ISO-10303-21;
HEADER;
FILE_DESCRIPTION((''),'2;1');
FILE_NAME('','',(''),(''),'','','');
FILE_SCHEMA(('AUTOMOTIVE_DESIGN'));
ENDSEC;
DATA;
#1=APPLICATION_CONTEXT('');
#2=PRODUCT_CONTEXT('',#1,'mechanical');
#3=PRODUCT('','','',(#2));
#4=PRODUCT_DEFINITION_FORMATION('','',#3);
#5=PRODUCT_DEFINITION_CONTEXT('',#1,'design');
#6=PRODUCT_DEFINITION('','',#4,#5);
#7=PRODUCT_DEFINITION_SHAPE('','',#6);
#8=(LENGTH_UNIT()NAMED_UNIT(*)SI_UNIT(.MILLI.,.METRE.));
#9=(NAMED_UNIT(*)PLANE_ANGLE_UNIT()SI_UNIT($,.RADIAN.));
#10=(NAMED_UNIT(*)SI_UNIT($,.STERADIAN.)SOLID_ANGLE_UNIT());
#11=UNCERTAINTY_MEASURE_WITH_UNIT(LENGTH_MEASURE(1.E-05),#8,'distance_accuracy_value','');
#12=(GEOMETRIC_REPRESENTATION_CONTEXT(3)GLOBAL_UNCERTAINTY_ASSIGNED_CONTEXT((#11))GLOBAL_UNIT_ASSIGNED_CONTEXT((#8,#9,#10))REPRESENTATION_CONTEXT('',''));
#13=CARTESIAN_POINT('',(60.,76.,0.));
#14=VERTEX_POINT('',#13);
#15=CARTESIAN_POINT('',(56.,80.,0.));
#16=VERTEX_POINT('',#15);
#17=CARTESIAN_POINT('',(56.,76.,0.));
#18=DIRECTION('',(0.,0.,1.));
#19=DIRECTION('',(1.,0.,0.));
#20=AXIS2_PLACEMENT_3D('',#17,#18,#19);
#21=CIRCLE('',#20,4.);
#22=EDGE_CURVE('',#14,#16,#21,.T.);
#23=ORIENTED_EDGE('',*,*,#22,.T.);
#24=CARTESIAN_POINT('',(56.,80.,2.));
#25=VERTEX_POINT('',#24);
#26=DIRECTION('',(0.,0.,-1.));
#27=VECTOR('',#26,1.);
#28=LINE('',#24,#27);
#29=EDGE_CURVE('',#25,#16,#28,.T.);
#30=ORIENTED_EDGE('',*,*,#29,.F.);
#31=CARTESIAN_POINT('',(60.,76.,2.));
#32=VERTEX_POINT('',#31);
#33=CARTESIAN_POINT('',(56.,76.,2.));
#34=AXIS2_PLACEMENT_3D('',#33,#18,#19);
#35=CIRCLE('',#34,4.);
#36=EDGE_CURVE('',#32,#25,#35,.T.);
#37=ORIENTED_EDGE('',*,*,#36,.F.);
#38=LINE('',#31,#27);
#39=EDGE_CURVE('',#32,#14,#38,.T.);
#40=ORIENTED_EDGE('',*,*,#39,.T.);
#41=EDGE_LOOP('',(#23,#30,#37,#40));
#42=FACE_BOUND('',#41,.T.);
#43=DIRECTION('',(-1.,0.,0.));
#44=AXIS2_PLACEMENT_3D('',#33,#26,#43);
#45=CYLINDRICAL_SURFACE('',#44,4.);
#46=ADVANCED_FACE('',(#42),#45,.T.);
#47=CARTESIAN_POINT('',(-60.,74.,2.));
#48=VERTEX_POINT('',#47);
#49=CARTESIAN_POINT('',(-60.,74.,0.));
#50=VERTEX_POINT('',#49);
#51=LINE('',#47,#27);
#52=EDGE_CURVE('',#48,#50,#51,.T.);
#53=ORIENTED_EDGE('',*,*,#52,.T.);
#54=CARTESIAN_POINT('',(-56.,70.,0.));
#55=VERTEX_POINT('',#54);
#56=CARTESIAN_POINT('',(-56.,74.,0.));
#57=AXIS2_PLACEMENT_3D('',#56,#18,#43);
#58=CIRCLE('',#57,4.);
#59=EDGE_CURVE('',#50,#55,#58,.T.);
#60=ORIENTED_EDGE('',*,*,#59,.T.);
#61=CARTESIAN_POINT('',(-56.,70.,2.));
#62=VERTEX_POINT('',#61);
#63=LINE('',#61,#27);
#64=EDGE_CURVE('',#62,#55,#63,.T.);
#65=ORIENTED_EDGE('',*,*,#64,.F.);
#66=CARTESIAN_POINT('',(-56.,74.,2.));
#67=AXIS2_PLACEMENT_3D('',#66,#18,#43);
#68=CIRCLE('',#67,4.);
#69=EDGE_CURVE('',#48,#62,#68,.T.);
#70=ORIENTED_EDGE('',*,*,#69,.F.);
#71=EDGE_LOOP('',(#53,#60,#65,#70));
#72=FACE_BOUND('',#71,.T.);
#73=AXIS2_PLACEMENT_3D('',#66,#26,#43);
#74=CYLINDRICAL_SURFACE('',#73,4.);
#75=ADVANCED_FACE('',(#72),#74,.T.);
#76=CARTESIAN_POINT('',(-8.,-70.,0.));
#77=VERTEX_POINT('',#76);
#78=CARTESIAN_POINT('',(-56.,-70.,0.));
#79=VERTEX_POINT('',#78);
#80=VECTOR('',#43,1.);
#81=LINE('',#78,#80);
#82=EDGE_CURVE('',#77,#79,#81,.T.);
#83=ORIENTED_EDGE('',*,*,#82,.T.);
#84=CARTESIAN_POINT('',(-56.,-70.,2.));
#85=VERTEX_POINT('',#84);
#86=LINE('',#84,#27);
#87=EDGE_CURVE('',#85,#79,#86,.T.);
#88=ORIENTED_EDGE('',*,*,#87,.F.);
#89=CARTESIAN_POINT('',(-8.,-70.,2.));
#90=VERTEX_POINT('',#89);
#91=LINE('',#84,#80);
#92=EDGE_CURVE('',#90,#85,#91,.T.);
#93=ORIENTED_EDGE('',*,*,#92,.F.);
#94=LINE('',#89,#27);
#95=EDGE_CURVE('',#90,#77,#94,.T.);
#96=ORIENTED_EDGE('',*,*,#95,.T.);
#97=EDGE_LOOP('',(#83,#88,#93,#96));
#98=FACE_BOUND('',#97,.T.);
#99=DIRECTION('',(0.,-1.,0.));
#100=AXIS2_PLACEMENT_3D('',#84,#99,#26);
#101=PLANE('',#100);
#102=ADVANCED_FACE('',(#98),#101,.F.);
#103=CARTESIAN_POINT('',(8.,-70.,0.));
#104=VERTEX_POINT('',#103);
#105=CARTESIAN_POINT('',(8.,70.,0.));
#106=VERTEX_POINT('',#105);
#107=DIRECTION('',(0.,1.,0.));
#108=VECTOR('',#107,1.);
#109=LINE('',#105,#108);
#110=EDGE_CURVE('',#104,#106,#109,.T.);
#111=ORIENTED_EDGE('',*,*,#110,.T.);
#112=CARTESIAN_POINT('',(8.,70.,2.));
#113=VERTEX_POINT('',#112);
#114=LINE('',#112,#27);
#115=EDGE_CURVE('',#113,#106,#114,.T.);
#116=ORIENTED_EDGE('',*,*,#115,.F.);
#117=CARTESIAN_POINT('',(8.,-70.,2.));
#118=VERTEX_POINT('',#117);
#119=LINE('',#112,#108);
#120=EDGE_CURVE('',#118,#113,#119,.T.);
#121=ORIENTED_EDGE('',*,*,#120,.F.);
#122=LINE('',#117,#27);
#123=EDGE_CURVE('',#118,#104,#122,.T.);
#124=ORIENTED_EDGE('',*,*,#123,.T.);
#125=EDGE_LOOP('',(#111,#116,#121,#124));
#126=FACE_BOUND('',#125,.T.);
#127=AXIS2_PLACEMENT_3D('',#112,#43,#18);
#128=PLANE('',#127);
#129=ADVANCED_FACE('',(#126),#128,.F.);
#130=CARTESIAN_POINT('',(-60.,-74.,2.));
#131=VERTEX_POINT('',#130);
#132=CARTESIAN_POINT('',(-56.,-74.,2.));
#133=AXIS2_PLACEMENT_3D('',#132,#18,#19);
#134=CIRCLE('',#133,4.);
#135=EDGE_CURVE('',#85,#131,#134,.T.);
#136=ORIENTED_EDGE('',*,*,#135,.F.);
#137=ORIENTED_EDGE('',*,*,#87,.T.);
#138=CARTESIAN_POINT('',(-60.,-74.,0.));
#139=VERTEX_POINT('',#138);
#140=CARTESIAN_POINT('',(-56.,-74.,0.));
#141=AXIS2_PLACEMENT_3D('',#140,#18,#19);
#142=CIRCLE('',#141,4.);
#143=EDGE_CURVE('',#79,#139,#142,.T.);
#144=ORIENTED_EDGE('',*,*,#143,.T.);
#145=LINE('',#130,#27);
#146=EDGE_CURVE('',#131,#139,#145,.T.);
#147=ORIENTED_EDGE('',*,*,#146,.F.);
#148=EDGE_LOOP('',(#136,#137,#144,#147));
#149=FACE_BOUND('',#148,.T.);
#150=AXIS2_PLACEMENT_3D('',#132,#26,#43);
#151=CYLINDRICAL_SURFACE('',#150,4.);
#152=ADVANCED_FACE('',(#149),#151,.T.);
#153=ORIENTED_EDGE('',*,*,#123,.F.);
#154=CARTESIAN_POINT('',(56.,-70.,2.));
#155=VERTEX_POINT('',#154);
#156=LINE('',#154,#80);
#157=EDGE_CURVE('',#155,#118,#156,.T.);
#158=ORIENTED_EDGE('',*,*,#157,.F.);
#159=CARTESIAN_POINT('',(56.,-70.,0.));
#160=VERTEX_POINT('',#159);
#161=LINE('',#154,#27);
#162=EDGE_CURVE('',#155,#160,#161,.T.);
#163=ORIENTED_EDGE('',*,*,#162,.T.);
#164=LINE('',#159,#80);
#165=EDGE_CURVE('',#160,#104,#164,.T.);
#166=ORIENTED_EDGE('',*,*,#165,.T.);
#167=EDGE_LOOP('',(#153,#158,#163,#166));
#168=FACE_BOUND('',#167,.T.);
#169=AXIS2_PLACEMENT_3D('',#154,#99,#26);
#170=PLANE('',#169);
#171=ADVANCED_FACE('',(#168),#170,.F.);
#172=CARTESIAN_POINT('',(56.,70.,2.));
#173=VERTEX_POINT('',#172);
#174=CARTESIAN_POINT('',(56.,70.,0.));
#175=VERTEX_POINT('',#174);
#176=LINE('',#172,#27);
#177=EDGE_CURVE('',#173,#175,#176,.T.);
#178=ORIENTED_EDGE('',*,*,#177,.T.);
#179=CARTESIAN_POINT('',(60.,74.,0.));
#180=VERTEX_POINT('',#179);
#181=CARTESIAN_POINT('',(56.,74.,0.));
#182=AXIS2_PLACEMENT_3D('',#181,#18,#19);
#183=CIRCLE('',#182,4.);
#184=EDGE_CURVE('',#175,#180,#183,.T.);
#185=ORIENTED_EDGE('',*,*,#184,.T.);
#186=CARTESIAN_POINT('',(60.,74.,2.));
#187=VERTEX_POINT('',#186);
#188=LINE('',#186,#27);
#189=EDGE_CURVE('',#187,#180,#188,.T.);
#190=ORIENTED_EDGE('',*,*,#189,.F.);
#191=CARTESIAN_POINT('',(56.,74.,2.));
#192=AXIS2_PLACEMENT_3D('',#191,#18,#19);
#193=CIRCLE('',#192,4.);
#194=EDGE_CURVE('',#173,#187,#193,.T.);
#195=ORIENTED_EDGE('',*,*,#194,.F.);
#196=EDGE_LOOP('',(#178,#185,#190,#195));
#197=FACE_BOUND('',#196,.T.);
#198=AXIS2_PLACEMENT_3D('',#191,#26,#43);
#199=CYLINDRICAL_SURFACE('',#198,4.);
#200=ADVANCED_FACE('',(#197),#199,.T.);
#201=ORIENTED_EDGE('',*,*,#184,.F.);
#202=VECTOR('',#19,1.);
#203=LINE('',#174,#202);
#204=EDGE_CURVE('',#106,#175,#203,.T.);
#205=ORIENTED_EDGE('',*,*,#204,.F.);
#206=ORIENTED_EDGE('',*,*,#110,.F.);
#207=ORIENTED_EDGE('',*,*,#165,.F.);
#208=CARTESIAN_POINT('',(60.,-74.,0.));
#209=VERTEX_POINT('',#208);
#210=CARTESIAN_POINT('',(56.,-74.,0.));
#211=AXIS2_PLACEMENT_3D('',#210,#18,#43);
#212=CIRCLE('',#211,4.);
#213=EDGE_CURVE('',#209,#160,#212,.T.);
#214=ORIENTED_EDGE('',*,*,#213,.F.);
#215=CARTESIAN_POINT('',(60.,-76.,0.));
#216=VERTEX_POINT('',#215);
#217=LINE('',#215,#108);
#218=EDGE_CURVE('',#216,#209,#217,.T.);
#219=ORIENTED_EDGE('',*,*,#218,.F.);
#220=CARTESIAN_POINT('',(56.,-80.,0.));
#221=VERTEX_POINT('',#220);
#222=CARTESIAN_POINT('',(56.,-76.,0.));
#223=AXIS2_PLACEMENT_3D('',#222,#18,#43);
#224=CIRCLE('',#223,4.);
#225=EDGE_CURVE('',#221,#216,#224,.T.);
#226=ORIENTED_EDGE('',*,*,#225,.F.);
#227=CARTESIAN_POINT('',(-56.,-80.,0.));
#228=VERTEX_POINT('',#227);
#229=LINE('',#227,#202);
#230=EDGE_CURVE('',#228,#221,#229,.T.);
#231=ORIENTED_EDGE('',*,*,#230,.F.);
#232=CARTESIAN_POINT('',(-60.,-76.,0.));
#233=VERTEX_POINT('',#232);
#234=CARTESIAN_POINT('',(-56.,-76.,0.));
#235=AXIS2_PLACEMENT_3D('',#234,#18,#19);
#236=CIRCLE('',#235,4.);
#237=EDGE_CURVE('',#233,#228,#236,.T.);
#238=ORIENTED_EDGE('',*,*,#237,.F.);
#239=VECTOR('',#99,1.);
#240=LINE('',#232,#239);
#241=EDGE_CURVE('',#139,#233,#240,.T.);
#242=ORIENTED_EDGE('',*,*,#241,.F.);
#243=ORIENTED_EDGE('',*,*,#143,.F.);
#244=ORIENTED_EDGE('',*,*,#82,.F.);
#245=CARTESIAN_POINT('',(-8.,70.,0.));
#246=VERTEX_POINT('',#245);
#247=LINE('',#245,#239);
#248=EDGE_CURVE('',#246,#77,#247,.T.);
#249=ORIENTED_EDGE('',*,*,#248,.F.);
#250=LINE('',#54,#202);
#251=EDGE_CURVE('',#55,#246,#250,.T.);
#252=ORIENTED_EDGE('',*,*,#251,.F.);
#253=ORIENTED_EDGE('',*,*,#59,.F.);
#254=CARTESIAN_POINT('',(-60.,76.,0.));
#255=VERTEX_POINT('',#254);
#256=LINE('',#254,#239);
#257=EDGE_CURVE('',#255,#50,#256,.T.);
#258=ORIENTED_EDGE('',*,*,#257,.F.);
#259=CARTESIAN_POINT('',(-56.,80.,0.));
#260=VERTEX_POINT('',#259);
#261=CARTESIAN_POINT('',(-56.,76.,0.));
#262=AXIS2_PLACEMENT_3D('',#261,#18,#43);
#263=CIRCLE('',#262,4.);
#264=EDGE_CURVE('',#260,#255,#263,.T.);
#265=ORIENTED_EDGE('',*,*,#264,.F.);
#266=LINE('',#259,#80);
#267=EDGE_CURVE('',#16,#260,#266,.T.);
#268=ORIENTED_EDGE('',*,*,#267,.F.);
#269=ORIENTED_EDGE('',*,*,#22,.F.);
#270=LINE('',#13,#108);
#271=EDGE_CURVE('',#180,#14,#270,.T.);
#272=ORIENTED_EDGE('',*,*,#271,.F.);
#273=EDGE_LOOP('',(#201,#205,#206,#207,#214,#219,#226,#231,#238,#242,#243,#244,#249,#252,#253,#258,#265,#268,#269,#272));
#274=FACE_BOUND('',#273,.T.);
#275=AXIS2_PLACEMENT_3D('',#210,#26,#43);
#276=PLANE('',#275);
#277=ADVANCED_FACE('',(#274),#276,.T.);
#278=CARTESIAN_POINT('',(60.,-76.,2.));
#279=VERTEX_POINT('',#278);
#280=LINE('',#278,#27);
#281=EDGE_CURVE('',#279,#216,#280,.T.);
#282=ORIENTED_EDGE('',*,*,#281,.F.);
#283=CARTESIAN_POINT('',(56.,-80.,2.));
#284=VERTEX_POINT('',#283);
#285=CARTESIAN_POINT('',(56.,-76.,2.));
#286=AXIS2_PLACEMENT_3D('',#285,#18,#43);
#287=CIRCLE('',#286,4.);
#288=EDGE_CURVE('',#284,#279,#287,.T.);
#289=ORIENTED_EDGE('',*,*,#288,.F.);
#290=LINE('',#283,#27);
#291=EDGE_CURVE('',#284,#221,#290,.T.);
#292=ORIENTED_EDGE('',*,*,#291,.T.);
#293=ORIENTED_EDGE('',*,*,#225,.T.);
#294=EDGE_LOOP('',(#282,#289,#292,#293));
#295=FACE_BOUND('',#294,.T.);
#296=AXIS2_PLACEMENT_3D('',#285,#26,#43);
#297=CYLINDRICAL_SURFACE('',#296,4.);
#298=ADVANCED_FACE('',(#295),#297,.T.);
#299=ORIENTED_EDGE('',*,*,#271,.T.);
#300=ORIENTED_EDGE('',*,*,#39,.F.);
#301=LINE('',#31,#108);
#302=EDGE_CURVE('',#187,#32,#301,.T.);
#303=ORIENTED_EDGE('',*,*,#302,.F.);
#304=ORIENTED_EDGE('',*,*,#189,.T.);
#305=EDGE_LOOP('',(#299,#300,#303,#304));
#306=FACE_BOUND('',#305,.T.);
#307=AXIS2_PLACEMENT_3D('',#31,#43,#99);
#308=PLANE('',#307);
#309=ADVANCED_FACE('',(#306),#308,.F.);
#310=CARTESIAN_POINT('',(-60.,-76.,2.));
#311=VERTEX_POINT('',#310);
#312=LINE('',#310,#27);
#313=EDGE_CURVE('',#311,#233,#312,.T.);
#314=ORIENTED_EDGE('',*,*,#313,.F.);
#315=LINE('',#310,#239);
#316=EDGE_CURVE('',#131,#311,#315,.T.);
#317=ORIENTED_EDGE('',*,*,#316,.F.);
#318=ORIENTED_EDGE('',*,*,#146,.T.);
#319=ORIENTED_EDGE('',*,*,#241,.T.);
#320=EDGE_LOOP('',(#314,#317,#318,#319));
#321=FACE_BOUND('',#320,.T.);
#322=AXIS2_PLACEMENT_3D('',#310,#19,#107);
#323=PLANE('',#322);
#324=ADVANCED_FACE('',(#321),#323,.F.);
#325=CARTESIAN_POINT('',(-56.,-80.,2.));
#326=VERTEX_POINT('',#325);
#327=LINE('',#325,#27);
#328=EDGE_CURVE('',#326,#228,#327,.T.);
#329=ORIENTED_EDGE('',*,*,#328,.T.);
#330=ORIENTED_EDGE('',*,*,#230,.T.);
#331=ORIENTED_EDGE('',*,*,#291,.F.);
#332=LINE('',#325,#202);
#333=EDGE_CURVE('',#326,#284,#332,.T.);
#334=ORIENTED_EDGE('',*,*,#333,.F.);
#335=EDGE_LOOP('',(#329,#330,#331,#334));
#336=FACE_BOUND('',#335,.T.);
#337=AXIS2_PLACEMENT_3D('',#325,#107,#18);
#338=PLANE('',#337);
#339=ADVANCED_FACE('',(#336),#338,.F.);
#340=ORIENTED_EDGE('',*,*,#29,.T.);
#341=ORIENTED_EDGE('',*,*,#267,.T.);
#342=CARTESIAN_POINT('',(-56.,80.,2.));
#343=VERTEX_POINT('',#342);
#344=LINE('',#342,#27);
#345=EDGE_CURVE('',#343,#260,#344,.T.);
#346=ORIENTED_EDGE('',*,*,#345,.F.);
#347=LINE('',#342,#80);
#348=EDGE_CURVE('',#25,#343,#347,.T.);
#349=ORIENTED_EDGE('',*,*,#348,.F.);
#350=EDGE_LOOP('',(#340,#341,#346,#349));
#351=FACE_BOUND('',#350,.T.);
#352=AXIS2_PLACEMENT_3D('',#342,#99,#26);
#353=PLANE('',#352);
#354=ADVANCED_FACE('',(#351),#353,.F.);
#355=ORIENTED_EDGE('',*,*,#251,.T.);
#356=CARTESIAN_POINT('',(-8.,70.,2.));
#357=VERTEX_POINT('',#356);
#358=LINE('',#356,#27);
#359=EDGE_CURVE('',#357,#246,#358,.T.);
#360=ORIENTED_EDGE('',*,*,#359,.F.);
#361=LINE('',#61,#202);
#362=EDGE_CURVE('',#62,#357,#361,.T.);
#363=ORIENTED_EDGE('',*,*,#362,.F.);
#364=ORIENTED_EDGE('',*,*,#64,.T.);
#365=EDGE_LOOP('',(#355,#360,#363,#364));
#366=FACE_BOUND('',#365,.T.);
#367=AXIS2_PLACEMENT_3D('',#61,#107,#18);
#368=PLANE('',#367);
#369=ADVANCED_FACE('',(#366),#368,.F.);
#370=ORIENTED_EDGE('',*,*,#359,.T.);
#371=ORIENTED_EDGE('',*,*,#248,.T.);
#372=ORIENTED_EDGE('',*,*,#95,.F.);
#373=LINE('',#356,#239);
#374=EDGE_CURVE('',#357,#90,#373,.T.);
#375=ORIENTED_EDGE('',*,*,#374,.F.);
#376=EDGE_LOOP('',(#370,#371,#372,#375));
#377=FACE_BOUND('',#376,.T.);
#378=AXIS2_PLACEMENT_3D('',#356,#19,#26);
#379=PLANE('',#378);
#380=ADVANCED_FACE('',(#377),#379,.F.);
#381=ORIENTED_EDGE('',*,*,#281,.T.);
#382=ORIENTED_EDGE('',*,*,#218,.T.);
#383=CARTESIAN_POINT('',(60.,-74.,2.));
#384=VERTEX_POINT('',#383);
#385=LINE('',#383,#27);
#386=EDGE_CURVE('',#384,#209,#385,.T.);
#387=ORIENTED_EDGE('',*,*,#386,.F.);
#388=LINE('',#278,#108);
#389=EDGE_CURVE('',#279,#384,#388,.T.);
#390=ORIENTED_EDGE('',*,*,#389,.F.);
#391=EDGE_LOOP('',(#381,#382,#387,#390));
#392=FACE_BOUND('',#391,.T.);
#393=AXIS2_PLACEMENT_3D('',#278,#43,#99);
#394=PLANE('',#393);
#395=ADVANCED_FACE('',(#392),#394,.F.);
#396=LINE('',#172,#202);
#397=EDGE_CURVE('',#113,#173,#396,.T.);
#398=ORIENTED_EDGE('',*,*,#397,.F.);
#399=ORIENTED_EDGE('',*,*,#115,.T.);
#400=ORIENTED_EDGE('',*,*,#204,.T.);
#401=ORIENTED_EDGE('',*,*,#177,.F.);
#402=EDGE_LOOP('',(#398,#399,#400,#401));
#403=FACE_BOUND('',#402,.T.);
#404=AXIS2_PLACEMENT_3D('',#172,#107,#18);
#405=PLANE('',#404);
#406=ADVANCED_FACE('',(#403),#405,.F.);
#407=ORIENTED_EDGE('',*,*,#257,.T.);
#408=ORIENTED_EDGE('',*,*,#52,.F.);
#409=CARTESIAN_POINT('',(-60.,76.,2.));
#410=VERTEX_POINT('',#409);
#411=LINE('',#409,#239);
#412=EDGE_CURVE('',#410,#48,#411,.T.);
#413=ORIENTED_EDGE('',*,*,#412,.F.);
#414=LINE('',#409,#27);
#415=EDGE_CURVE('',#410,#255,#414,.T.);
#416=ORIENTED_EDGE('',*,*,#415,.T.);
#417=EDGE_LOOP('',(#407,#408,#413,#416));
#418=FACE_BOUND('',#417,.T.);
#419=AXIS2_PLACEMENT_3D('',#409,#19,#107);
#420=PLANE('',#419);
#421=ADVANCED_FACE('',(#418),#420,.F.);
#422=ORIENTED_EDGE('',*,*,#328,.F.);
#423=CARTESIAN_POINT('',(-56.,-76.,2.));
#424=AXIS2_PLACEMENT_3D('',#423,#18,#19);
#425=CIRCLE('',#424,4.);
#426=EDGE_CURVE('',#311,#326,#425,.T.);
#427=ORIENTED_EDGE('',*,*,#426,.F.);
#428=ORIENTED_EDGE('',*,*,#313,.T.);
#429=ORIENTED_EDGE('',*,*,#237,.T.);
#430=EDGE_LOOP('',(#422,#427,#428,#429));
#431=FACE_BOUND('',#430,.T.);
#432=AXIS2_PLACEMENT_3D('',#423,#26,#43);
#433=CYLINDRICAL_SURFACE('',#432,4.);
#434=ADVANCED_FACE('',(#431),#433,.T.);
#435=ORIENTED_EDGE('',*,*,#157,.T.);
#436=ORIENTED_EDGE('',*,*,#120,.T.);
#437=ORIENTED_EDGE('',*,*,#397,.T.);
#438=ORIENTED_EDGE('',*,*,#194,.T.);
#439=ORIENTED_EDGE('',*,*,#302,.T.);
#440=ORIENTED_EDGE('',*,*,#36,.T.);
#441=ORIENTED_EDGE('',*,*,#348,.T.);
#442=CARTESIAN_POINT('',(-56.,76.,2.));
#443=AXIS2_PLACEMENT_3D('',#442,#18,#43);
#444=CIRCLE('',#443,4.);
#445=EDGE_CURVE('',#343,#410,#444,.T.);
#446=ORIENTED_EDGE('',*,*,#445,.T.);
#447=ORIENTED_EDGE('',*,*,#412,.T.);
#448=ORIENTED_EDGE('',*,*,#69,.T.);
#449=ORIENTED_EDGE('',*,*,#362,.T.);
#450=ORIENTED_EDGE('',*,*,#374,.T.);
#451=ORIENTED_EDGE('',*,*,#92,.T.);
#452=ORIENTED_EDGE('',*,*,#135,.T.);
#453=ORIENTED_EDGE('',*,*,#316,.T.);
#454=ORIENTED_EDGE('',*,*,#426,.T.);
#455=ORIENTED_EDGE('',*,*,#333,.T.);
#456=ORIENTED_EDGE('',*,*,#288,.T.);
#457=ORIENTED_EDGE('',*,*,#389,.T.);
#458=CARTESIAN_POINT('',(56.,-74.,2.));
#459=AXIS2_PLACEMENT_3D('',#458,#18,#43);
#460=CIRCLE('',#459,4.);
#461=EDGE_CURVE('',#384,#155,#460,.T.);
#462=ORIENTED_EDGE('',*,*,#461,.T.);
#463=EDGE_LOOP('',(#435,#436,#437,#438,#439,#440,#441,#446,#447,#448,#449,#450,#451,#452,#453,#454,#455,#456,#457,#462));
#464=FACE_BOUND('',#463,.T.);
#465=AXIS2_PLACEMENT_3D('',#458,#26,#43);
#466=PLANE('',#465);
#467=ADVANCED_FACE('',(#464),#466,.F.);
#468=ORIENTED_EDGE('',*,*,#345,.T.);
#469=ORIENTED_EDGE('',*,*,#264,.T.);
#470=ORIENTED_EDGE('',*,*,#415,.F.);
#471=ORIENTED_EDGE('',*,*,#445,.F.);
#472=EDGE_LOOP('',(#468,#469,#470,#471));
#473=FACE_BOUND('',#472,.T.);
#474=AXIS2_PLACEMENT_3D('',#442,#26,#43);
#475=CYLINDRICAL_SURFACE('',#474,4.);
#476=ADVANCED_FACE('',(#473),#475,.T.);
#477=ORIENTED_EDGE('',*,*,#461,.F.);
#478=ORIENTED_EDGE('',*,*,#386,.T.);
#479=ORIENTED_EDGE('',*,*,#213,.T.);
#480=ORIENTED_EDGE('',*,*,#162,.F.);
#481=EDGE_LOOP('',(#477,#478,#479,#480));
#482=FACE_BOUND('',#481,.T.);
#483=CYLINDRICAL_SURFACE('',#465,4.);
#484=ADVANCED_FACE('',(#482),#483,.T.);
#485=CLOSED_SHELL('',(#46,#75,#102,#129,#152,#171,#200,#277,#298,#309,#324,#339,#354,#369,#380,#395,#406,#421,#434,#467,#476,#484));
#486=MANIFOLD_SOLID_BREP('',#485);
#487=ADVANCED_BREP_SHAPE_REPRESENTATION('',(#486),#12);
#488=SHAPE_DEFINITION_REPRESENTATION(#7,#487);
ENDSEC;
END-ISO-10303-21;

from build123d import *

# Parameters (mm, degrees)
EXTRUDE_1_DEPTH = 2


with BuildPart() as part:
    # 草图1 → 凸台-拉伸1 (new body)
    with BuildSketch(Plane.XY):
        with BuildLine():
            Line((-56, 80), (56, 80))
            ThreePointArc((56, 80), (58.828427125, 78.828427125), (60, 76))
            Line((60, 76), (60, 74))
            ThreePointArc((60, 74), (58.828427125, 71.171572875), (56, 70))
            Line((56, 70), (8, 70))
            Line((8, 70), (8, -70))
            Line((8, -70), (56, -70))
            ThreePointArc((56, -70), (58.828427125, -71.171572875), (60, -74))
            Line((60, -74), (60, -76))
            ThreePointArc((60, -76), (58.828427125, -78.828427125), (56, -80))
            Line((56, -80), (-56, -80))
            ThreePointArc((-56, -80), (-58.828427125, -78.828427125), (-60, -76))
            Line((-60, -76), (-60, -74))
            ThreePointArc((-60, -74), (-58.828427125, -71.171572875), (-56, -70))
            Line((-56, -70), (-8, -70))
            Line((-8, -70), (-8, 70))
            Line((-8, 70), (-56, 70))
            ThreePointArc((-56, 70), (-58.828427125, 71.171572875), (-60, 74))
            Line((-60, 74), (-60, 76))
            ThreePointArc((-60, 76), (-58.828427125, 78.828427125), (-56, 80))
        make_face()
    extrude(amount=EXTRUDE_1_DEPTH)


solid = part.part
